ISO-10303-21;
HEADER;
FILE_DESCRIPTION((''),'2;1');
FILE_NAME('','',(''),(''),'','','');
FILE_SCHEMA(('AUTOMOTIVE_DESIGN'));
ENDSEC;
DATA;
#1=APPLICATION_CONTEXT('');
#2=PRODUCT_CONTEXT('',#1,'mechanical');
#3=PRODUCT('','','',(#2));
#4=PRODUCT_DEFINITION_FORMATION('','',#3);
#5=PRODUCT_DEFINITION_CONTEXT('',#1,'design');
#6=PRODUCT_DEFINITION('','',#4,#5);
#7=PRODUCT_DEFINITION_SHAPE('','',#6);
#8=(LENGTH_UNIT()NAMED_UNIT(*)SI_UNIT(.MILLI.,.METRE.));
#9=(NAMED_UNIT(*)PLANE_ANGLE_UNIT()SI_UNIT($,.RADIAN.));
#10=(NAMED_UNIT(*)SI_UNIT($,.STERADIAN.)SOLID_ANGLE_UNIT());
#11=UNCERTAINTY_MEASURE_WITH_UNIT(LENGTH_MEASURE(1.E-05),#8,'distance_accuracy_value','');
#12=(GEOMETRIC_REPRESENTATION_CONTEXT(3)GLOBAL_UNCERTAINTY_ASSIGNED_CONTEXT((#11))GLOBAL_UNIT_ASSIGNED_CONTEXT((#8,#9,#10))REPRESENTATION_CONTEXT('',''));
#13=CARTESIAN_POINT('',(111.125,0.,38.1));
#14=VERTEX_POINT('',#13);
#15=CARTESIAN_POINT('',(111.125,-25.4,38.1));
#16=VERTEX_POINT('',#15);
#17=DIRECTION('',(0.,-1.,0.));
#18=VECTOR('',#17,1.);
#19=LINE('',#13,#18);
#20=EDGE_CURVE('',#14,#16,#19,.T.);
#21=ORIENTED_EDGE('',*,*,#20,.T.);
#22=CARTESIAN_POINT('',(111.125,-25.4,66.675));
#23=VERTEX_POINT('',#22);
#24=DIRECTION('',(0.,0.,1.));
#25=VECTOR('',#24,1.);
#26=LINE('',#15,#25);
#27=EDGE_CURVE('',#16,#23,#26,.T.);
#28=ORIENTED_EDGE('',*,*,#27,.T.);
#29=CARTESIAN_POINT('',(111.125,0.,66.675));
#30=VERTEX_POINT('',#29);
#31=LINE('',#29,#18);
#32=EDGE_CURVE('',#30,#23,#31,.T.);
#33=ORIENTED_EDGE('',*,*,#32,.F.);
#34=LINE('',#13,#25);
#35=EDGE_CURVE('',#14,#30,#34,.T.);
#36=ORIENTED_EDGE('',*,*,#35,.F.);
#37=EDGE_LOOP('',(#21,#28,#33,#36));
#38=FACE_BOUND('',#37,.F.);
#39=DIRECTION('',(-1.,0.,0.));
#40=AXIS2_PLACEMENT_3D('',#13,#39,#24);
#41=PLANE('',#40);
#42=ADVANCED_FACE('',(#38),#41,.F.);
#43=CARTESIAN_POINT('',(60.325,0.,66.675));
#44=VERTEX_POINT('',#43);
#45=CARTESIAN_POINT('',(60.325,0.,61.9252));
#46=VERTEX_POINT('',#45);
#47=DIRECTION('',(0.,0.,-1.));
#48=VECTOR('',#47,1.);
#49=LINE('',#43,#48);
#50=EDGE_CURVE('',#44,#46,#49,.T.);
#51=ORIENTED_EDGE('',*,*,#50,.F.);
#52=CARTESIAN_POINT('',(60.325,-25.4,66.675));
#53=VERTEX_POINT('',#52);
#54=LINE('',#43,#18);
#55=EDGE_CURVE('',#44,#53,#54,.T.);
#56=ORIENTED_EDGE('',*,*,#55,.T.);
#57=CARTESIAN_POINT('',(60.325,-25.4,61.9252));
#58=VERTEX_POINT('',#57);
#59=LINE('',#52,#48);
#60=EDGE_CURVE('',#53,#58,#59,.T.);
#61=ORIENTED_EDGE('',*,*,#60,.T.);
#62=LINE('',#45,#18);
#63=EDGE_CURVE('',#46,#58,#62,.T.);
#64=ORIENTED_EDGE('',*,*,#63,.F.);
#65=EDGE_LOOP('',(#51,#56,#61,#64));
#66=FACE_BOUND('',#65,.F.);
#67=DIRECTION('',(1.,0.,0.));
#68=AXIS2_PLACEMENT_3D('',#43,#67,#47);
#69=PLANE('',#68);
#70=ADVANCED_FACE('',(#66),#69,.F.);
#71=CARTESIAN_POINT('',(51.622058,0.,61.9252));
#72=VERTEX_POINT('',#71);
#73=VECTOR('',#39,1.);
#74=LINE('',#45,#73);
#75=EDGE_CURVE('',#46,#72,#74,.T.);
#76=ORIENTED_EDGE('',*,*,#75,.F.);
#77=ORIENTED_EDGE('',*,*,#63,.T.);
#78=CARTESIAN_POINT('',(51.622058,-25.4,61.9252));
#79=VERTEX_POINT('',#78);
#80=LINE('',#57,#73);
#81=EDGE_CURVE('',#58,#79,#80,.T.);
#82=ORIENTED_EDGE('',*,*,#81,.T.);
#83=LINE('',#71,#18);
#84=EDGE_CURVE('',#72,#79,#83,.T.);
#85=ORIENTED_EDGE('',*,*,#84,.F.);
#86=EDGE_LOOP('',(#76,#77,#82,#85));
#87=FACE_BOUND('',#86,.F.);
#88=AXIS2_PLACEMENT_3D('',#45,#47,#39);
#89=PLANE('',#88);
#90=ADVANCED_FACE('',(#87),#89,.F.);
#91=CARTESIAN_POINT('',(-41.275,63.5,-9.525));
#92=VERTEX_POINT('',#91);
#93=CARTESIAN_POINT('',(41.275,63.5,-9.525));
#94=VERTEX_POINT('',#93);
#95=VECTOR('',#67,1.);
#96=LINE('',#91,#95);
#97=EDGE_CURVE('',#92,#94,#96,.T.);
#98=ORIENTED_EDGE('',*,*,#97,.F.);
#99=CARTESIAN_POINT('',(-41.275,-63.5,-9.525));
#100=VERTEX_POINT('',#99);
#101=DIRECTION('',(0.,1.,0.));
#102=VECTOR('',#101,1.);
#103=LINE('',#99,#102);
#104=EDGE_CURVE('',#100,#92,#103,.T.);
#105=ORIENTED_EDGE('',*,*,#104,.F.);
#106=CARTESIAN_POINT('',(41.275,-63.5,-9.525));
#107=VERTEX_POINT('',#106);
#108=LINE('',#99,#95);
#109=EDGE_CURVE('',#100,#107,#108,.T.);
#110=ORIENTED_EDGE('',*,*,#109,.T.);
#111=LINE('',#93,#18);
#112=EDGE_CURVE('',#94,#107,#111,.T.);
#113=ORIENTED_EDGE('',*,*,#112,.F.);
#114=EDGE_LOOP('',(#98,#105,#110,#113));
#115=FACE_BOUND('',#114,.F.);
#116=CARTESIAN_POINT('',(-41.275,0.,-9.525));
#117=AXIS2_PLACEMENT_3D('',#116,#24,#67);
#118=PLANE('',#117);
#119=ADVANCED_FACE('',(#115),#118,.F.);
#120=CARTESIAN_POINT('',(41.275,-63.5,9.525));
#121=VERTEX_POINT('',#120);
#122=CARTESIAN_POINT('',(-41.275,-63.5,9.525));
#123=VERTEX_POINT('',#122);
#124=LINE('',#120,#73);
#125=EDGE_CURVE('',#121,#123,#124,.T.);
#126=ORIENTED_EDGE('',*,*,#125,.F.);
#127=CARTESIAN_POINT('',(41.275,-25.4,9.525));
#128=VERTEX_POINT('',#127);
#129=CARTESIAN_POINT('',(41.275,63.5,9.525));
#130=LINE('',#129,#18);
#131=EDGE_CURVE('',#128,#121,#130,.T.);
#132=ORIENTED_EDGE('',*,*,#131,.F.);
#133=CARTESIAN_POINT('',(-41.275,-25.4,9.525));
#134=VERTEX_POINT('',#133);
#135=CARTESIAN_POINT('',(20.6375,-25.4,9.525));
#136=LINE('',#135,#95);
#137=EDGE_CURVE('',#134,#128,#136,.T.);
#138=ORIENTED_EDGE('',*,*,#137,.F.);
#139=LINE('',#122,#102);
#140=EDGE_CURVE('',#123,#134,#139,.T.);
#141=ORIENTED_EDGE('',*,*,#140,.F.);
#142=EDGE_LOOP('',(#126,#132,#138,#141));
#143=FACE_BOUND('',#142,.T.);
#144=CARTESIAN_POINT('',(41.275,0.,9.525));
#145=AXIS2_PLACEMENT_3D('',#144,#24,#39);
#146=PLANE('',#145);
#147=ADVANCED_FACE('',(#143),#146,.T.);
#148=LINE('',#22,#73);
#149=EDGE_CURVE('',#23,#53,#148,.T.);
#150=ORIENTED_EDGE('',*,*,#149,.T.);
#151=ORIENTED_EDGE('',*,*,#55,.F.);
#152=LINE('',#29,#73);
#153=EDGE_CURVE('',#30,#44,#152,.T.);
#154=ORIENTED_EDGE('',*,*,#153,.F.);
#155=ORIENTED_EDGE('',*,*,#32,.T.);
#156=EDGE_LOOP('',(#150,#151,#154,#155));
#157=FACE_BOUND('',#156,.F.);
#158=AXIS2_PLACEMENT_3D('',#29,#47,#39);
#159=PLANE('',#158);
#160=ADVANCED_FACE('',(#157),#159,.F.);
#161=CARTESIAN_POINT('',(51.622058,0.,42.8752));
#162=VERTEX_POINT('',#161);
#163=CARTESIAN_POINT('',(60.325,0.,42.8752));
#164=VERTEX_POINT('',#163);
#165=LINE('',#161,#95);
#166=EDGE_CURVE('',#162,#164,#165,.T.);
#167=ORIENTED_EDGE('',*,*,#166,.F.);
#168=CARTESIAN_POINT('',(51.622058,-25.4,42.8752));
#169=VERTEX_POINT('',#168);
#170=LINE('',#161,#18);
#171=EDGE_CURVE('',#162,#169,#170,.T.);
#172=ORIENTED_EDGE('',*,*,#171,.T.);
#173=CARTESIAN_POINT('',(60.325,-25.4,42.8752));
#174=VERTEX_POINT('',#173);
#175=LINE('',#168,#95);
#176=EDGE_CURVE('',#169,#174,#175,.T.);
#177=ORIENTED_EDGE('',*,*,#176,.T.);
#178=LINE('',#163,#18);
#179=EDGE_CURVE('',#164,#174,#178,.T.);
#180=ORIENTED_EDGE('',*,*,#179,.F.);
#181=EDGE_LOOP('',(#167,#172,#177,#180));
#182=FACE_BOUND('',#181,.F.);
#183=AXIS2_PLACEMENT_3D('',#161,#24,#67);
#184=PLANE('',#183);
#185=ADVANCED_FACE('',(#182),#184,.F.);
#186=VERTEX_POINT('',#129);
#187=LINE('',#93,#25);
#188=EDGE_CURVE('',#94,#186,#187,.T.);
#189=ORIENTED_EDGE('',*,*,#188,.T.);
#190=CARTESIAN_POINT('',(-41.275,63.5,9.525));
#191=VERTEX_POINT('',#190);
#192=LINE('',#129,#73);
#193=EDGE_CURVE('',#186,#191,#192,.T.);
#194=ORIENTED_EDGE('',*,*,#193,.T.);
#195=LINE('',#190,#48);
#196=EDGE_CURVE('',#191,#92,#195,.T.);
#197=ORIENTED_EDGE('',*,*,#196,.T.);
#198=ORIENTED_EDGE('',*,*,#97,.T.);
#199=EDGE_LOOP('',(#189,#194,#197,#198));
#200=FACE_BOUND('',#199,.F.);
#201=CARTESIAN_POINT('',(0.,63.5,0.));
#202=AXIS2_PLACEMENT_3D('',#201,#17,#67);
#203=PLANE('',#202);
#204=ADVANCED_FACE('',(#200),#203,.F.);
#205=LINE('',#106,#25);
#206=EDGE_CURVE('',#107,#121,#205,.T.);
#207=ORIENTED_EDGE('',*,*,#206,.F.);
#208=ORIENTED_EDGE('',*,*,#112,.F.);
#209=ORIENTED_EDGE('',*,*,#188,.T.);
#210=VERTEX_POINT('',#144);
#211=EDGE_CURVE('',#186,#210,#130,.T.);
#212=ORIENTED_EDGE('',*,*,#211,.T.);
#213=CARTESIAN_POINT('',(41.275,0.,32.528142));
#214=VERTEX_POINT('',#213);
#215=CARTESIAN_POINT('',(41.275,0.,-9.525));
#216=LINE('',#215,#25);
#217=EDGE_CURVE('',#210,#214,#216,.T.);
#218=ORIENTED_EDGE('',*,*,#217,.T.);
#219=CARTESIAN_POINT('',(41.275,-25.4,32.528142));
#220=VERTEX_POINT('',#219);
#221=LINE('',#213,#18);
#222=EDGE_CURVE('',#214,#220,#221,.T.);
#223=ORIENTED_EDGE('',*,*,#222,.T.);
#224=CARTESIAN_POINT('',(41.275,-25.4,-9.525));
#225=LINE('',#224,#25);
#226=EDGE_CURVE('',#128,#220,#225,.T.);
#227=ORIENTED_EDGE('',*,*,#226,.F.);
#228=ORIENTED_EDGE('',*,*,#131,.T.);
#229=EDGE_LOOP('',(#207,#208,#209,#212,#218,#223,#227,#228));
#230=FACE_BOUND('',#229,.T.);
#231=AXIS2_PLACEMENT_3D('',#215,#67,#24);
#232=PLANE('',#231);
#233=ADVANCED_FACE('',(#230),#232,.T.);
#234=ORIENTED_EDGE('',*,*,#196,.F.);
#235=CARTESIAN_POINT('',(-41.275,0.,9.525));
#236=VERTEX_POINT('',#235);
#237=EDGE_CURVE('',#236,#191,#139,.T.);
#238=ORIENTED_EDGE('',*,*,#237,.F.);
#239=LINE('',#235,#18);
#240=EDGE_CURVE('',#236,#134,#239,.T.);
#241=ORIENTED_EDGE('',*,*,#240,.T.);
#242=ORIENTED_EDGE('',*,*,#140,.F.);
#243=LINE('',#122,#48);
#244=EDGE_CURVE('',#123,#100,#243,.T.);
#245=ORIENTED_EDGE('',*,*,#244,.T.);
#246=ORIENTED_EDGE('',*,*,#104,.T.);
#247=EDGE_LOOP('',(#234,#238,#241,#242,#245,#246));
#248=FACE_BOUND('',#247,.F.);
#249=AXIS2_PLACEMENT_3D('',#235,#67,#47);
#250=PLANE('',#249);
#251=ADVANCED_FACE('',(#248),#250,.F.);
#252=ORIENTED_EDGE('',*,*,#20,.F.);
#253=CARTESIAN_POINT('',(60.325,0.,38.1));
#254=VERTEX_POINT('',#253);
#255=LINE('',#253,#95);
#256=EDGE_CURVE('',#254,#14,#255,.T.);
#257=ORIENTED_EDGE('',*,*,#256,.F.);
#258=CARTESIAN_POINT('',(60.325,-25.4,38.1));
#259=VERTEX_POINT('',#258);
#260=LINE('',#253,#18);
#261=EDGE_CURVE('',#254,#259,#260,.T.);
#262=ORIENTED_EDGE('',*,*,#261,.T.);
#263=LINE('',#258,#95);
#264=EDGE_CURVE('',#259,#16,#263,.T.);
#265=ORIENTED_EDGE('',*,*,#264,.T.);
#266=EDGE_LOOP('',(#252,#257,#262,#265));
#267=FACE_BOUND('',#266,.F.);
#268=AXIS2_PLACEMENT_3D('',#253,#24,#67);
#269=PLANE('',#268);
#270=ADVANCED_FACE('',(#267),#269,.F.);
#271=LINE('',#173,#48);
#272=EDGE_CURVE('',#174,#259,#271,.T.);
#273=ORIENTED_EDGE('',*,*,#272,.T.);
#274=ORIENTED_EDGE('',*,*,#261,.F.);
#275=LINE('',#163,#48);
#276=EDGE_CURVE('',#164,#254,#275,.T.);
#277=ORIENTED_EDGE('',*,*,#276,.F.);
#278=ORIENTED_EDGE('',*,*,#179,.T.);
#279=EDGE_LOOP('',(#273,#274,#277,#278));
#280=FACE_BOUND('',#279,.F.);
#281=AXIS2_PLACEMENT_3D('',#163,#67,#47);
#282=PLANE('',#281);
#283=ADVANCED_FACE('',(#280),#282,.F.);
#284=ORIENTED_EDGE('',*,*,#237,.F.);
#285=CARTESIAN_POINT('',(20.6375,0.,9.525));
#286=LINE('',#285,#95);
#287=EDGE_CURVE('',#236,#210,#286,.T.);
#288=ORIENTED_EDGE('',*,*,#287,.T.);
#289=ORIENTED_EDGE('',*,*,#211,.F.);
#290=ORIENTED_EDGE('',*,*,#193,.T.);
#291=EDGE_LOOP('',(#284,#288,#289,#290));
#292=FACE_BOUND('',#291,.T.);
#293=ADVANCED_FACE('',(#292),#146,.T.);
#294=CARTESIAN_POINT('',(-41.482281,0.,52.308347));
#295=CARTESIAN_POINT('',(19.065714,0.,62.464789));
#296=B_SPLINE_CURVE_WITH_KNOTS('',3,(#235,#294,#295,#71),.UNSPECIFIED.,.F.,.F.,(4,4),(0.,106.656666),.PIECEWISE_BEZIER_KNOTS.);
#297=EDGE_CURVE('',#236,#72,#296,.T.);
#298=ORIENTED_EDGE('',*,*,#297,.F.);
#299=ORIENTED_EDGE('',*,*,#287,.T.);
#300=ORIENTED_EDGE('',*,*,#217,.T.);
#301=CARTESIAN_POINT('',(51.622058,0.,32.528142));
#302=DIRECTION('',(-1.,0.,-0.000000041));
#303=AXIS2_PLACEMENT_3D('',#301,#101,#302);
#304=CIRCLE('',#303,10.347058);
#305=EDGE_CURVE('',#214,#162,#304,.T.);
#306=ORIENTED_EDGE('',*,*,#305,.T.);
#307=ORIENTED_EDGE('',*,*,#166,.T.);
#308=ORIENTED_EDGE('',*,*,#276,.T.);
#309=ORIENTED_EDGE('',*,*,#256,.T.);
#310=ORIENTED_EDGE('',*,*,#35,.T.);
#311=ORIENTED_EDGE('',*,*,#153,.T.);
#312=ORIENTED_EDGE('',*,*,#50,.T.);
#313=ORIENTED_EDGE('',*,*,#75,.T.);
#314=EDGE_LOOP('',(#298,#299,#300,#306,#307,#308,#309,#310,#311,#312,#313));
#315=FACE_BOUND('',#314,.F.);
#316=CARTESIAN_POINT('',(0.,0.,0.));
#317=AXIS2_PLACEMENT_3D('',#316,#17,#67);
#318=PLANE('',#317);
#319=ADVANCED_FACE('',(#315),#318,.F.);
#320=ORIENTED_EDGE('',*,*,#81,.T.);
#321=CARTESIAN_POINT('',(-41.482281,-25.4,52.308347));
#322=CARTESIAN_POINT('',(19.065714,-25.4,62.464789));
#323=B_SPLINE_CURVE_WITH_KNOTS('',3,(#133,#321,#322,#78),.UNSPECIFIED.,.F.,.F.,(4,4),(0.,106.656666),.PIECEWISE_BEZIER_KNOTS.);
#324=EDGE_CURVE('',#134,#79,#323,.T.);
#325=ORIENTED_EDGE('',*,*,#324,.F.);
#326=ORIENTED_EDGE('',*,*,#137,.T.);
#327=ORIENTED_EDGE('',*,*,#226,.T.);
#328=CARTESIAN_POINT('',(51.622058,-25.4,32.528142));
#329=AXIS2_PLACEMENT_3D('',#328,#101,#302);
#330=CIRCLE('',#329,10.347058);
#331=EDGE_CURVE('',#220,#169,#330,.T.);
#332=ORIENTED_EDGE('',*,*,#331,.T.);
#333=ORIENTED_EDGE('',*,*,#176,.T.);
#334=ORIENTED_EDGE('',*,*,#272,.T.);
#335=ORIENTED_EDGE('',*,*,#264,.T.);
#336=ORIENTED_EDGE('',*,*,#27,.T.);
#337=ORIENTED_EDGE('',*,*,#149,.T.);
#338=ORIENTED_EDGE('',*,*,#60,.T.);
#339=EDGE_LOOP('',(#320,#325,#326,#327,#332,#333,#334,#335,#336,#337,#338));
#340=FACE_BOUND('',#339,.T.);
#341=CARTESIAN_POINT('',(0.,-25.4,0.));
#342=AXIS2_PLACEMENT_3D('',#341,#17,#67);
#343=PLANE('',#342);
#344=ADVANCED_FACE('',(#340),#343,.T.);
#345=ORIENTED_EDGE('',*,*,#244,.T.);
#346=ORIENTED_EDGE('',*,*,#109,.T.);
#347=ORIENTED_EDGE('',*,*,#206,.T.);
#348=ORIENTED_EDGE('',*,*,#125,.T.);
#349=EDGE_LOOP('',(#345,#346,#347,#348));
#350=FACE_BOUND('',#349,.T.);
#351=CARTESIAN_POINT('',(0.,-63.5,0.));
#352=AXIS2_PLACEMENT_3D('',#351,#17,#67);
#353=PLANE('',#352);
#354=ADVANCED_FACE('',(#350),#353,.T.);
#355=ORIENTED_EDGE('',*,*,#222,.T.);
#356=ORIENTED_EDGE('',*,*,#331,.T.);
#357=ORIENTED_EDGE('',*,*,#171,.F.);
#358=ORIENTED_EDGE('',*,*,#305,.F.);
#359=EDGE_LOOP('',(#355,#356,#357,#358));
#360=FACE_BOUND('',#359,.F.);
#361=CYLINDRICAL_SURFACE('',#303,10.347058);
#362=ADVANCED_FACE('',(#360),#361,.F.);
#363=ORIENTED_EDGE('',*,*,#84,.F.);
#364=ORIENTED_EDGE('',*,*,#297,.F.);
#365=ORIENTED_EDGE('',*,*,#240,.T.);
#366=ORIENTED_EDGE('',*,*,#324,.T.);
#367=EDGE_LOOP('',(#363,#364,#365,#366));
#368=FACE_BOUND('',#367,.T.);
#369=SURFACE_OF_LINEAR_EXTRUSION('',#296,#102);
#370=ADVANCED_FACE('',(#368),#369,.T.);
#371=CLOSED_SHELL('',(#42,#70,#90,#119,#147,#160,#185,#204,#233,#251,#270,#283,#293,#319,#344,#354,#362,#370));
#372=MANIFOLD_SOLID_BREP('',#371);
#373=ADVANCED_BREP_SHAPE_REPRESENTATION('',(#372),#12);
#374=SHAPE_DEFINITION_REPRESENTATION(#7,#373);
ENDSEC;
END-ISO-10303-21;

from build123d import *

# Parameters (mm, degrees)
F1_DEPTH = 63.5
F2_DEPTH = 25.4


with BuildPart() as f1:
    # F0 (on Front) → F1 (new body, symmetric)
    with BuildSketch(Plane.XZ):
        Polygon((-41.275, -9.525), (41.275, -9.525), (41.275, -7.805796), (41.275, 9.525), (22.225, 9.525), (-41.275, 9.525), align=None)
    extrude(amount=F1_DEPTH, both=True)

    # F0 (on Front) → F2 (join)
    with BuildSketch(Plane.XZ):
        Polygon((-41.275, -9.525), (41.275, -9.525), (41.275, -7.805796), (41.275, 9.525), (22.225, 9.525), (-41.275, 9.525), align=None)
        with BuildLine():
            add(Edge.make_bspline(
                [(-41.275, 9.525), (-41.482281, 52.308347), (19.065714, 62.464789), (51.622058, 61.9252)],
                knots=[0, 0, 0, 0, 106.656666, 106.656666, 106.656666, 106.656666], degree=3))
            Line((-41.275, 9.525), (22.225, 9.525))
            Line((22.225, 9.525), (22.225, 32.528142))
            ThreePointArc((22.225, 32.528142), (30.835199, 53.315001), (51.622058, 61.9252))
        make_face()
        with BuildLine():
            Line((22.225, 9.525), (41.275, 9.525))
            Line((41.275, 9.525), (41.275, 32.528142))
            ThreePointArc((41.275, 32.528142), (44.305583, 39.844617), (51.622058, 42.8752))
            Line((51.622058, 42.8752), (60.325, 42.8752))
            Line((60.325, 42.8752), (60.325, 61.9252))
            Line((60.325, 61.9252), (51.622058, 61.9252))
            ThreePointArc((51.622058, 61.9252), (30.835199, 53.315001), (22.225, 32.528142))
            Line((22.225, 32.528142), (22.225, 9.525))
        make_face()
        Polygon((60.325, 66.675), (60.325, 61.9252), (60.325, 42.8752), (60.325, 38.1), (82.32934, 38.1), (82.312385, 66.675), align=None)
        Polygon((111.125, 66.675), (82.312385, 66.675), (82.32934, 38.1), (111.125, 38.1), align=None)
    extrude(amount=F2_DEPTH)


solid = f1.part
